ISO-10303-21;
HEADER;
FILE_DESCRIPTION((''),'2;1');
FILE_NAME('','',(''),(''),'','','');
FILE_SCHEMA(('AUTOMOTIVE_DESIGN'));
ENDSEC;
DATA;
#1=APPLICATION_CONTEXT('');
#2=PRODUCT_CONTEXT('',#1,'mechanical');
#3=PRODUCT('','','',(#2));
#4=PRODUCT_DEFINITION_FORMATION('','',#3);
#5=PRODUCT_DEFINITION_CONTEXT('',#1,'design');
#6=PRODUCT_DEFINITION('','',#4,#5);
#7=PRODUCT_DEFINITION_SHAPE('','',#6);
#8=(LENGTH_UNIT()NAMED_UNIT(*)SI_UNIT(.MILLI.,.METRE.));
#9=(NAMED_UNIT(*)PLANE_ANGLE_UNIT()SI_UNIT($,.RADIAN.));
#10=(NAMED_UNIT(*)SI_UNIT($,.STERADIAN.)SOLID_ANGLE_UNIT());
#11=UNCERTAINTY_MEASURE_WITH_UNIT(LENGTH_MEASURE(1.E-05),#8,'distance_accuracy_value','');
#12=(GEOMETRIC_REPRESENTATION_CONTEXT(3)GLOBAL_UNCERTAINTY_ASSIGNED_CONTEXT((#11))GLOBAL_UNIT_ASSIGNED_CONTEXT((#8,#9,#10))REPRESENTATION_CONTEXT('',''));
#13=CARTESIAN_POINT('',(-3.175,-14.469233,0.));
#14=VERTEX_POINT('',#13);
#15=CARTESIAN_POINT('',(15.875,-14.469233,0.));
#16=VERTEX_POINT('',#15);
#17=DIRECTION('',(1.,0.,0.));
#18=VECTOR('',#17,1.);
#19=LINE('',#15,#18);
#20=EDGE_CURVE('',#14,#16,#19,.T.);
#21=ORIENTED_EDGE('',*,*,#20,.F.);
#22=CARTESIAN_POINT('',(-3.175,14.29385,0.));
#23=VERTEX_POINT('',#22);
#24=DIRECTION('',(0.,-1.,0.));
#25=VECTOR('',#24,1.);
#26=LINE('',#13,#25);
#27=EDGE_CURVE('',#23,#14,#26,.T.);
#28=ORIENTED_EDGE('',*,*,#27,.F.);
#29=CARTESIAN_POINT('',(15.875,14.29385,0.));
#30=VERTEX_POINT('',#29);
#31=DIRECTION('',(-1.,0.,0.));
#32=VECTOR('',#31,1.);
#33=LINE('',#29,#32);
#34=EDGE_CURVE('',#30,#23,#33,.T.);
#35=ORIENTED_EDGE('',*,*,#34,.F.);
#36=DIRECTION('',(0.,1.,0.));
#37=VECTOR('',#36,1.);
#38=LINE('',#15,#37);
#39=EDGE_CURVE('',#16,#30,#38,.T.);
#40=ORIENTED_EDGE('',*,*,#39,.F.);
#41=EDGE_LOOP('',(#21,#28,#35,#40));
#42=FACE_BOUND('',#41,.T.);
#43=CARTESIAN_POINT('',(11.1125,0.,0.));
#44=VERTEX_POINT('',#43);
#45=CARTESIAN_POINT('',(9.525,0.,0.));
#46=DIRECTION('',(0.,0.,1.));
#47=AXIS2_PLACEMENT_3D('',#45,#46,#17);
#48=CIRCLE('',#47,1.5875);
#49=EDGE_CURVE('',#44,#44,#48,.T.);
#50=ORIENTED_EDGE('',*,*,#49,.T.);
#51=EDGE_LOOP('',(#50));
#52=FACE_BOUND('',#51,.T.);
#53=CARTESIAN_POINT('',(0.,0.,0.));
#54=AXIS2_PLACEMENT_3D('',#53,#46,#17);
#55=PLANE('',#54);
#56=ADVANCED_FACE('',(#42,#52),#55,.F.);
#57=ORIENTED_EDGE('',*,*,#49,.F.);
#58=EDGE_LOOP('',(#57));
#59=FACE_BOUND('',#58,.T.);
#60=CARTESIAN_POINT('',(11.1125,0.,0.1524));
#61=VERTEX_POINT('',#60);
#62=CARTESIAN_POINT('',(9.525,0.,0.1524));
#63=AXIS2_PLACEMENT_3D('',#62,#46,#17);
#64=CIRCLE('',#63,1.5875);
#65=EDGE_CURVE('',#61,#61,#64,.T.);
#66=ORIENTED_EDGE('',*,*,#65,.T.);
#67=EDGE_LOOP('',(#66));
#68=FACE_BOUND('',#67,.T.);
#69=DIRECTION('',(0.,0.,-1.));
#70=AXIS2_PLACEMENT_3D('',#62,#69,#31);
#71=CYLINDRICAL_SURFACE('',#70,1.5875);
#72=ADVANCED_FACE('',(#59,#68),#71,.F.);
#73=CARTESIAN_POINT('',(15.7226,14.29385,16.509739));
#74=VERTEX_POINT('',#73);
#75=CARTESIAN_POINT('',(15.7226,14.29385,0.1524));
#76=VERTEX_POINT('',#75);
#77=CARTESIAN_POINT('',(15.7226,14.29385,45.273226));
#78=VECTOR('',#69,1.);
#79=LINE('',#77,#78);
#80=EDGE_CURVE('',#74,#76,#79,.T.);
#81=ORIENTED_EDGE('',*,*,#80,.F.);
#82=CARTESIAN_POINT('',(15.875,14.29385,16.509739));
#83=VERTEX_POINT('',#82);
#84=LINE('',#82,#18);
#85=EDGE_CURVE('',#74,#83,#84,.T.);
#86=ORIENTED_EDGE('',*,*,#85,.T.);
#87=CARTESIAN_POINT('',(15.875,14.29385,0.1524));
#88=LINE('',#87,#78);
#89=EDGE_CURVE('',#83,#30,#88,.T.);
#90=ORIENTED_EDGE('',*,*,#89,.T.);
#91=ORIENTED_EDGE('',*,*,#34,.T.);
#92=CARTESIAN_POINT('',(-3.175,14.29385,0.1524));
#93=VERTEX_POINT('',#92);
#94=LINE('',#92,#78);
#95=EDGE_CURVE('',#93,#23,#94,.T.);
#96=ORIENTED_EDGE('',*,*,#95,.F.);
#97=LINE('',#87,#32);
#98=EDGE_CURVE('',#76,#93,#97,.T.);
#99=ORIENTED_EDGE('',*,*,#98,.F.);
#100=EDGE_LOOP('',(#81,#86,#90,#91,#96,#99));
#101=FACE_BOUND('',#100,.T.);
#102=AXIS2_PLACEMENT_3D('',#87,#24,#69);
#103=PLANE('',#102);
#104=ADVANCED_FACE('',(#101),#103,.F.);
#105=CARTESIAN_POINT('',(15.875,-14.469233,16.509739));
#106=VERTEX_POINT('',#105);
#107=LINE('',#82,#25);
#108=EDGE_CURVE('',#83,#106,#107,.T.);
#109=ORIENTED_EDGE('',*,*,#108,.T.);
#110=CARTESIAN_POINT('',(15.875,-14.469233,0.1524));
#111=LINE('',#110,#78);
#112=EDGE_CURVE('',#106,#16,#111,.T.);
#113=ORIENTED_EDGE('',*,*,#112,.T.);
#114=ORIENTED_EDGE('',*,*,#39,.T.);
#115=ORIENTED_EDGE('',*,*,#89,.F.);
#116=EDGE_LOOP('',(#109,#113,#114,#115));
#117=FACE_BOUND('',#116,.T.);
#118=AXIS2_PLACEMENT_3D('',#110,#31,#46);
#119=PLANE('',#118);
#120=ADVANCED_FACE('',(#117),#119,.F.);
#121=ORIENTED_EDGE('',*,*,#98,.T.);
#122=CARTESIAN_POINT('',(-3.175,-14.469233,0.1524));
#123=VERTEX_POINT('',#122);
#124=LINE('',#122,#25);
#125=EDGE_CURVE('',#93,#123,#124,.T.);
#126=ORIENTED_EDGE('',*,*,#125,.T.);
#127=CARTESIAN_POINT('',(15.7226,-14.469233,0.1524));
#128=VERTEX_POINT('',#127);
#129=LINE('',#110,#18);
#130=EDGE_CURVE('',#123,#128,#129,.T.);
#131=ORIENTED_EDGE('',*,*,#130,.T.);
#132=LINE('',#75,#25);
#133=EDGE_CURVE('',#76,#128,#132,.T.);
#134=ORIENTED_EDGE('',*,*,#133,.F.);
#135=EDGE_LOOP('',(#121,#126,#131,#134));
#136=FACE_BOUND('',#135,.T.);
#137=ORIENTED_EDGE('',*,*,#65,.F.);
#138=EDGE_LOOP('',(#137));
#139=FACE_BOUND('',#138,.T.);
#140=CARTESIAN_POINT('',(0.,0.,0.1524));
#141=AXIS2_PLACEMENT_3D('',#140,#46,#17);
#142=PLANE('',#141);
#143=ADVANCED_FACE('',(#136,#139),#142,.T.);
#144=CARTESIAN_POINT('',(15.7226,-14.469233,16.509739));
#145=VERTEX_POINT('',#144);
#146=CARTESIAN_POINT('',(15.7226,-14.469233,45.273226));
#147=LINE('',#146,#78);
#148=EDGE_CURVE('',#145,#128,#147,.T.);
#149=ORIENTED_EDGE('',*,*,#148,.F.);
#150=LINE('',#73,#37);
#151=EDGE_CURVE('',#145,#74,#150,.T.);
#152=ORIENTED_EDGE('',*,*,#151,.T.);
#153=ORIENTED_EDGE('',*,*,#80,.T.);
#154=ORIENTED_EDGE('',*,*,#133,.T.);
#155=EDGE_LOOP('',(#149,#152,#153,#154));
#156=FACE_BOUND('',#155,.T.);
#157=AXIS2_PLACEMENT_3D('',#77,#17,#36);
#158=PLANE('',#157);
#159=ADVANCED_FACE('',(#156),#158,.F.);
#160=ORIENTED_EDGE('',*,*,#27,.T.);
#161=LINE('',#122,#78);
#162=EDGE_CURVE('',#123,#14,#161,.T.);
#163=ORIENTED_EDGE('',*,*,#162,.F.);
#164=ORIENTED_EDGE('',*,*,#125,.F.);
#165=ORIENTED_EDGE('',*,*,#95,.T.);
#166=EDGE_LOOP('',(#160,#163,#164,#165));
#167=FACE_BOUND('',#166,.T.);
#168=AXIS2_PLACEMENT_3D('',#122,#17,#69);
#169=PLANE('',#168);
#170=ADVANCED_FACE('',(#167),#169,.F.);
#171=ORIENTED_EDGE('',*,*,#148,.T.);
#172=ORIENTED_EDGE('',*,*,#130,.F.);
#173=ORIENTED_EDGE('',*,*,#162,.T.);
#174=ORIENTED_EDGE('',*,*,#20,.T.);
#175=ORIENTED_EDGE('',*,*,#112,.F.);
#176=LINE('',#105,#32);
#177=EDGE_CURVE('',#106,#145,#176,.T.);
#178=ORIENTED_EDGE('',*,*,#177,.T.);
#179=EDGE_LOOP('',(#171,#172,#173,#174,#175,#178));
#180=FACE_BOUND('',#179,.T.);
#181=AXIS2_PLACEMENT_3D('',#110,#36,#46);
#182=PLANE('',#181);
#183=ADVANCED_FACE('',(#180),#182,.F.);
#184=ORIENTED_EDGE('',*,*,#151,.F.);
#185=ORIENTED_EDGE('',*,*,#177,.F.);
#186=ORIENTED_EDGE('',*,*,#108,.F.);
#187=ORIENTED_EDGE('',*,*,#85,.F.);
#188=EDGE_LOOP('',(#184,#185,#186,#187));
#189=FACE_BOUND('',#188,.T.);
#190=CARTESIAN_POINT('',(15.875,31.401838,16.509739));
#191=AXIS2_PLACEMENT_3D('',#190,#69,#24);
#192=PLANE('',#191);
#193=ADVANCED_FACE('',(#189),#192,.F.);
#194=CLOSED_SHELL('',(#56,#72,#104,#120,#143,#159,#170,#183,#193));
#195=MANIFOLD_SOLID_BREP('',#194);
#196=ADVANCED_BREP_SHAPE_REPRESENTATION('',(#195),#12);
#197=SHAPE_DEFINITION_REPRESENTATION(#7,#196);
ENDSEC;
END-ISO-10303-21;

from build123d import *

# Parameters (mm, degrees)
SKETCH1_W           = 19.05
SKETCH1_H           = 28.763083029
SKETCH1_R           = 1.5875
BOSS_EXTRUDE1_DEPTH = 0.1524
SKETCH2_W           = 0.1524
SKETCH2_H           = 28.763083029
BOSS_EXTRUDE2_DEPTH = 16.357339


with BuildPart() as part:
    # Sketch1 → Boss-Extrude1 (new body)
    with BuildSketch(Plane.XY):
        with Locations((6.35, -0.087691515)):
            Rectangle(SKETCH1_W, SKETCH1_H)
        with Locations((9.525, 0)):
            Circle(SKETCH1_R, mode=Mode.SUBTRACT)
    extrude(amount=BOSS_EXTRUDE1_DEPTH)

    # Sketch2 → Boss-Extrude2 (add)
    with BuildSketch(Plane.XY.offset(0.1524)):
        with Locations((15.7988, -0.087691515)):
            Rectangle(SKETCH2_W, SKETCH2_H)
    extrude(amount=BOSS_EXTRUDE2_DEPTH)


solid = part.part
